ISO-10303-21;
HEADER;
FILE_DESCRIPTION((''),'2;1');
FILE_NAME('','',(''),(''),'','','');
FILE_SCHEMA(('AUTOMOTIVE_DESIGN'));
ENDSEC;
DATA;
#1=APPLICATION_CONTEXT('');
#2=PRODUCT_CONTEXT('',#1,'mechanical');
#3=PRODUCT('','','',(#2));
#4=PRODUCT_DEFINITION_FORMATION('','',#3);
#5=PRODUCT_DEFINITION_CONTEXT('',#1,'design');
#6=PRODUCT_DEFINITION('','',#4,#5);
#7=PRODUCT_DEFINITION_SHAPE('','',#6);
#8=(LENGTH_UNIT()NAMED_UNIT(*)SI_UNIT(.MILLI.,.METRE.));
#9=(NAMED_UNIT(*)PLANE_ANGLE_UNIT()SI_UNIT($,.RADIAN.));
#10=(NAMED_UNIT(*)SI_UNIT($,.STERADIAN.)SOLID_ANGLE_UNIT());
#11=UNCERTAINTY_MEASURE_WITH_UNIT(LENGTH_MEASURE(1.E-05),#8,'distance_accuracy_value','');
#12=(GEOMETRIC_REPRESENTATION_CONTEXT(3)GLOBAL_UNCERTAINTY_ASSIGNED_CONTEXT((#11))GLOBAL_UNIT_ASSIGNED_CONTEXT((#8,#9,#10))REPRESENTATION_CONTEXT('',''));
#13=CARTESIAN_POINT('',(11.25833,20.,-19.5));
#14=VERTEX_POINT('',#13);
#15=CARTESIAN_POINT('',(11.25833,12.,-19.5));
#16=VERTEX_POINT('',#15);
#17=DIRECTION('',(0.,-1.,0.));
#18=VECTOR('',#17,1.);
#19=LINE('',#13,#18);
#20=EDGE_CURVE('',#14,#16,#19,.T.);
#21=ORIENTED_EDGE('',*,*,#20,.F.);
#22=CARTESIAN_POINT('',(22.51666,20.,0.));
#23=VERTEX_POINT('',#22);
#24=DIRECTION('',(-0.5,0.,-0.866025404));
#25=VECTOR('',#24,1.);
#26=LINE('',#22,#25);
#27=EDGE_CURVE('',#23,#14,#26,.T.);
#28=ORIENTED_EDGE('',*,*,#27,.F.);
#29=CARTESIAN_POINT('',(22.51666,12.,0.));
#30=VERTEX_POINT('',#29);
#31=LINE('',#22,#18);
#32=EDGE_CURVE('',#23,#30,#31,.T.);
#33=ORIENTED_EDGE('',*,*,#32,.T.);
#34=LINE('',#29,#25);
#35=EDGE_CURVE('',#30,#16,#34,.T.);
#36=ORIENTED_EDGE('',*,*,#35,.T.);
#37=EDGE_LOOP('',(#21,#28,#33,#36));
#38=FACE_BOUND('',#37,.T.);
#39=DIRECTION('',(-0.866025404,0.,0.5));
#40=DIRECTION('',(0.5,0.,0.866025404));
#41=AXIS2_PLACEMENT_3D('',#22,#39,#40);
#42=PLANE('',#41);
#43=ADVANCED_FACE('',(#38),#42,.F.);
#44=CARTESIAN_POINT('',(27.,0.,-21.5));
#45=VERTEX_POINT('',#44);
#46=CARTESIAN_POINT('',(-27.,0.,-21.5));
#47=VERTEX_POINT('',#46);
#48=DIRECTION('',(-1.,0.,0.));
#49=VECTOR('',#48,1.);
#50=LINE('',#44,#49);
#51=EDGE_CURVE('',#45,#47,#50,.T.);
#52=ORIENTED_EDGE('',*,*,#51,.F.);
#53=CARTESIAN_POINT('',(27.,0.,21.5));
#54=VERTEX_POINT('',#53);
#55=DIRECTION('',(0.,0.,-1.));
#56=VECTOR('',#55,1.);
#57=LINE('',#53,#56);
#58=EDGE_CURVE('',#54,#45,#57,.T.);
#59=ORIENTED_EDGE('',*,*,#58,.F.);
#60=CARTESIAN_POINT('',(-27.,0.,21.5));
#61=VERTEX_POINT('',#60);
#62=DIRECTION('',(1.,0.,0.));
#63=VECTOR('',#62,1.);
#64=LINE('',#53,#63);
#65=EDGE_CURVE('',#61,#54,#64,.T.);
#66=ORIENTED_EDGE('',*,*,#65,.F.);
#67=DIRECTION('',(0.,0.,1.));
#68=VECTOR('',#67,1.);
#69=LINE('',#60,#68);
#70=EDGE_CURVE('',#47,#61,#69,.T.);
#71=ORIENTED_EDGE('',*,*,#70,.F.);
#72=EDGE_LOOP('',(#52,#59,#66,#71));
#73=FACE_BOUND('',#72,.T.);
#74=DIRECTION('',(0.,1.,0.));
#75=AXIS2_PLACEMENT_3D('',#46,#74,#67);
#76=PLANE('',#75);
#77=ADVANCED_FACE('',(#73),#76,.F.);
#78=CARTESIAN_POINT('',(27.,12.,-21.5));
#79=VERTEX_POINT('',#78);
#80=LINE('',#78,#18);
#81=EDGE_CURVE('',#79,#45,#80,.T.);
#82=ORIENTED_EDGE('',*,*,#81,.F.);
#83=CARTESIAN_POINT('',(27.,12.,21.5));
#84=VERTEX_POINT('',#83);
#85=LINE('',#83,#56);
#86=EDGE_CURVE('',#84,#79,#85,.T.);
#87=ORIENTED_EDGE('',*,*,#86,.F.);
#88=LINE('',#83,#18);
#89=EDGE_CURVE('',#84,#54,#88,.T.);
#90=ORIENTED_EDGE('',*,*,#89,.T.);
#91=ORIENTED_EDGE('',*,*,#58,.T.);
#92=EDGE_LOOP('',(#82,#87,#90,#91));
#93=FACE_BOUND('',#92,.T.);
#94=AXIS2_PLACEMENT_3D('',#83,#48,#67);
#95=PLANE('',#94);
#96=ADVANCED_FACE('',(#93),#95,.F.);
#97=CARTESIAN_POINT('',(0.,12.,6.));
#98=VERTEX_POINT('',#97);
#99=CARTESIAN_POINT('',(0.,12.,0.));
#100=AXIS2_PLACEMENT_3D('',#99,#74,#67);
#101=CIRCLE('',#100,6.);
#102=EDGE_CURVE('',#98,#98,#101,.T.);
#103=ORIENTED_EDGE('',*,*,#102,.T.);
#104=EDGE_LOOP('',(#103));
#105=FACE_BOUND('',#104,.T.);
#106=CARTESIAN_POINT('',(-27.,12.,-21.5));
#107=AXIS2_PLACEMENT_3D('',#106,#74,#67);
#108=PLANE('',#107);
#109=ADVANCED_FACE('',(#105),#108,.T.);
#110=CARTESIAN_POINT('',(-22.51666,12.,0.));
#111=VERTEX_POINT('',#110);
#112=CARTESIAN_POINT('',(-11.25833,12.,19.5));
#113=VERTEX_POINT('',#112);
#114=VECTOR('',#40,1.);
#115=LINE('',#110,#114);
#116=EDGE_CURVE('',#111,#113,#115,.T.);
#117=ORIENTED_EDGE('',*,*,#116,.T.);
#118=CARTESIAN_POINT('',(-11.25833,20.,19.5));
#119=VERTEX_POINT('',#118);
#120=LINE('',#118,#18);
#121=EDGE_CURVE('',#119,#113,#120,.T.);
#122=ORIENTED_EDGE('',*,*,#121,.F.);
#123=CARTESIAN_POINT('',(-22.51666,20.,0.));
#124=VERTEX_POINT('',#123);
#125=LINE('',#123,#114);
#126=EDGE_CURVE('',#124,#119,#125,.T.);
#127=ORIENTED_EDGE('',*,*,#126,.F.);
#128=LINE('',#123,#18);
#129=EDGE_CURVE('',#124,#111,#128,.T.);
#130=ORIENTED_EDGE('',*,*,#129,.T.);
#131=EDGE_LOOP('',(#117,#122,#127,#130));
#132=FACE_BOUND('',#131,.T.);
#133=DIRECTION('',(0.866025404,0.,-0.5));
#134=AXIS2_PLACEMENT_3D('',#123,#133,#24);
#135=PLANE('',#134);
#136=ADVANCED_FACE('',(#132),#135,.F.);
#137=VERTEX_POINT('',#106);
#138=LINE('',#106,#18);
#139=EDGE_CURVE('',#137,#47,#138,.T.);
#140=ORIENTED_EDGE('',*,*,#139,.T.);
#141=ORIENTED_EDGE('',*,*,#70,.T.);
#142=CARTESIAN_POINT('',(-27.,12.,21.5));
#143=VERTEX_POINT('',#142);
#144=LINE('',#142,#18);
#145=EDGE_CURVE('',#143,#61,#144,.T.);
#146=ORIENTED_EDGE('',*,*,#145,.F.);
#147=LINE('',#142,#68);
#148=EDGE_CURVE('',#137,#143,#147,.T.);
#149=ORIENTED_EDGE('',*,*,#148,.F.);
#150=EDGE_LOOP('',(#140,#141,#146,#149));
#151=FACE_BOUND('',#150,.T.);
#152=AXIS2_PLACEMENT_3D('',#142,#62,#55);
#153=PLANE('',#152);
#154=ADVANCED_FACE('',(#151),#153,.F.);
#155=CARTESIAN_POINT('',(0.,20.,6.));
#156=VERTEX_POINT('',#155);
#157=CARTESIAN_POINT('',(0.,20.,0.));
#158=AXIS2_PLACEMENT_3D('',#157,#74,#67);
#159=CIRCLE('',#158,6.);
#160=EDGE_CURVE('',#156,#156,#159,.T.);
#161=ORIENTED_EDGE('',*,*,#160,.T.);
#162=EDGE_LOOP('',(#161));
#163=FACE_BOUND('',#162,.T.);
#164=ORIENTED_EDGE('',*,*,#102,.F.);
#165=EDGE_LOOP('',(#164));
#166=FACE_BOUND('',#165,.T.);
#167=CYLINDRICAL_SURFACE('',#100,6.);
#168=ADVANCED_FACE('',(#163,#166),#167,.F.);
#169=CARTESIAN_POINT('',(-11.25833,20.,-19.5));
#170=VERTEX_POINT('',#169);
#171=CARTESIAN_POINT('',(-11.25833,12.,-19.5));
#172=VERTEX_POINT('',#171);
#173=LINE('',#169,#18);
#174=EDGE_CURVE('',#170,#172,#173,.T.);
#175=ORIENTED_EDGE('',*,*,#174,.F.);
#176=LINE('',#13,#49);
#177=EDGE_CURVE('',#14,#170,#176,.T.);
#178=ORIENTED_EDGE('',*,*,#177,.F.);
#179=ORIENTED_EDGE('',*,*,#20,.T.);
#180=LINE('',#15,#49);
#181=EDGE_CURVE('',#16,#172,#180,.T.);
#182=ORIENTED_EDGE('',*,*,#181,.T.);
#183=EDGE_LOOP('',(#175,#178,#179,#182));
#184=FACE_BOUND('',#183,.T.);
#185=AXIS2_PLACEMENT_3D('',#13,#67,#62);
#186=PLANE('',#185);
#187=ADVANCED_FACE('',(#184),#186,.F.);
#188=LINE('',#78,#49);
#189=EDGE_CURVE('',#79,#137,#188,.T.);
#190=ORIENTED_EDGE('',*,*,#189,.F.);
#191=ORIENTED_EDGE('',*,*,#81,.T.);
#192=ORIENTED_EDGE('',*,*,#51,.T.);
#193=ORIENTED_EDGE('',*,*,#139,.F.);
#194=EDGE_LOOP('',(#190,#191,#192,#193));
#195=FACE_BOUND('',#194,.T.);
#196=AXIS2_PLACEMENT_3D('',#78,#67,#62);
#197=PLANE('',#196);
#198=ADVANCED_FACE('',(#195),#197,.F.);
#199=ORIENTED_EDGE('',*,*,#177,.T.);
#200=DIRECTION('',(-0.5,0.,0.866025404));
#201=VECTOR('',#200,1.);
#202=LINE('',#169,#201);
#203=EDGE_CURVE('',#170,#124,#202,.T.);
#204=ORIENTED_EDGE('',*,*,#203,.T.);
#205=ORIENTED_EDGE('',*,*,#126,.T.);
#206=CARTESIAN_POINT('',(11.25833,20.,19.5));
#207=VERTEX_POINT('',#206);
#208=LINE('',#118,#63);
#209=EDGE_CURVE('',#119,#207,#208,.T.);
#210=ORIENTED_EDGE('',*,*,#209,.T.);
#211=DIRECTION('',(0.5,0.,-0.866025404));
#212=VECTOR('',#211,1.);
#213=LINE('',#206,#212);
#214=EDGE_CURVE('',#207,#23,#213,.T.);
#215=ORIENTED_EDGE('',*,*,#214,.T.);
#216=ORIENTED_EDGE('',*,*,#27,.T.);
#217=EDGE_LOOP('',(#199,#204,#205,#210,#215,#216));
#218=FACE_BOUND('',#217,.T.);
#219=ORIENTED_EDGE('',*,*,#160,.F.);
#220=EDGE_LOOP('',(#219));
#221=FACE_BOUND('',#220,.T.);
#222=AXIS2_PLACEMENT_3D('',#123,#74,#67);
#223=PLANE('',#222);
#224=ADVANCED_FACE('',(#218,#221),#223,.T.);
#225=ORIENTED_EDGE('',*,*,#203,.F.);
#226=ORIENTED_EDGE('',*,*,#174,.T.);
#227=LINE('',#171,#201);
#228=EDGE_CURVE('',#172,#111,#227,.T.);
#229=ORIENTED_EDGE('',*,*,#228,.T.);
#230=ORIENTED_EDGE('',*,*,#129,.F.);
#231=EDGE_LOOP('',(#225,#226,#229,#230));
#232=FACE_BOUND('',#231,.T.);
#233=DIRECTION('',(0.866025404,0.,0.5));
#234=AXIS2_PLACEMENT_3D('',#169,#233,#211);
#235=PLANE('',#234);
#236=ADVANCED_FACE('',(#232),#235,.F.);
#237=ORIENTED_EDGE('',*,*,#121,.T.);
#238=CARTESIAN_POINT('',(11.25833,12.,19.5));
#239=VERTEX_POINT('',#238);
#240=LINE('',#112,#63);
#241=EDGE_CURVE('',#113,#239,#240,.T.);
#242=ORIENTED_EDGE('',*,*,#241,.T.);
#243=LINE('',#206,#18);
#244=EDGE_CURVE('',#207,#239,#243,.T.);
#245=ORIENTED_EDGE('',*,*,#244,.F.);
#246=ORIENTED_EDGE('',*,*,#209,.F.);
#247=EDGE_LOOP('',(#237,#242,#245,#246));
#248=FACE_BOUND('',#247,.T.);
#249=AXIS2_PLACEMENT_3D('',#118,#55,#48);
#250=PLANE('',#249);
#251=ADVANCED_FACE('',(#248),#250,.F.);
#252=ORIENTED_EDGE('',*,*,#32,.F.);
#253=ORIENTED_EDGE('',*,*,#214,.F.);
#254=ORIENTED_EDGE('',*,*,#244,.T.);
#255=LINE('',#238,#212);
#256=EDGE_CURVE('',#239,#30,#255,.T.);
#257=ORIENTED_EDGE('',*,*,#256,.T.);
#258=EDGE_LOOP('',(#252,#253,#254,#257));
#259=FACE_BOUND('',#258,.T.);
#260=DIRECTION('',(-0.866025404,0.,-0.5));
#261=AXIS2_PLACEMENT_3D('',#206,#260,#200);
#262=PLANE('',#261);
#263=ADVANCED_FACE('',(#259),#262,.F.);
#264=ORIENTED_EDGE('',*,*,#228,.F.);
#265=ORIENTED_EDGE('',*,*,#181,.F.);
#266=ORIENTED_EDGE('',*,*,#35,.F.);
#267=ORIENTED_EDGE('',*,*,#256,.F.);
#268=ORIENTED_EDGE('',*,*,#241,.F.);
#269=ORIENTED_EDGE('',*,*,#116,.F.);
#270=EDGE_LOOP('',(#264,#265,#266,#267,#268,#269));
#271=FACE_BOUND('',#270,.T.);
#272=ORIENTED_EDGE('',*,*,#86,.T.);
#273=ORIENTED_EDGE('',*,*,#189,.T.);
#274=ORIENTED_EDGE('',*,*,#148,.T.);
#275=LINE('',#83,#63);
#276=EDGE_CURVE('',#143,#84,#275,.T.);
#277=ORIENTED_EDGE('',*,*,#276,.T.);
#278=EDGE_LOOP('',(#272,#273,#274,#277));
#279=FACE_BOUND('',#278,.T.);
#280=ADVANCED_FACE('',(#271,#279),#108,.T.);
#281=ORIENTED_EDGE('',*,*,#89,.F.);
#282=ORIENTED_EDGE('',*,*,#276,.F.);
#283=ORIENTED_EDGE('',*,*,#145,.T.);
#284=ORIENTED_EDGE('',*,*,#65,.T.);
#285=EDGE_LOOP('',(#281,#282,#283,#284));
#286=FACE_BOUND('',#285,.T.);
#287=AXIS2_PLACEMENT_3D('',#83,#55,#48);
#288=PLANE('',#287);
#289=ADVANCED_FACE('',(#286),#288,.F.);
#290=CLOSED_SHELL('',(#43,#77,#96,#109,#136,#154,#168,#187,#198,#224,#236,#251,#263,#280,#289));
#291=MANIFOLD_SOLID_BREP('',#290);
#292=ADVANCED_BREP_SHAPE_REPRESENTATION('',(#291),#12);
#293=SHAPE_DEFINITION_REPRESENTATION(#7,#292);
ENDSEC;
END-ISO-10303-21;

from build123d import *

# Parameters (mm, degrees)
SKETCH_1_W          = 54
SKETCH_1_H          = 43
EXTRUDE_1_DEPTH     = 12
SKETCH_2_R          = 1.55
EXTRUDE_2_DEPTH     = 8
SKETCH_4_R          = 6
CUT_EXTRUDE_2_DEPTH = 8


with BuildPart() as part:
    # 草图1 → 凸台-拉伸1 (new body)
    with BuildSketch(Plane(origin=(0, 0, 0), x_dir=(1, 0, 0), z_dir=(0, 1, 0))):
        Rectangle(SKETCH_1_W, SKETCH_1_H)
    extrude(amount=EXTRUDE_1_DEPTH)

    # 草图2 → 凸台-拉伸2 (add)
    with BuildSketch(Plane(origin=(0, 12, 0), x_dir=(1, 0, 0), z_dir=(0, 1, 0))):
        Polygon((-22.516660498, 0), (-11.258330249, -19.5), (11.258330249, -19.5), (22.516660498, 0), (11.258330249, 19.5), (-11.258330249, 19.5), align=None)
        with Locations(Location((0, 0, 0), (0, 0, 270))):
            Circle(SKETCH_2_R, mode=Mode.SUBTRACT)
    extrude(amount=EXTRUDE_2_DEPTH)

    # 草图4 → 切除-拉伸2 (cut)
    with BuildSketch(Plane(origin=(0, 20, 0), x_dir=(1, 0, 0), z_dir=(0, 1, 0))):
        with Locations(Location((0, 0, 0), (0, 0, 270))):
            Circle(SKETCH_4_R)
    extrude(amount=-CUT_EXTRUDE_2_DEPTH, mode=Mode.SUBTRACT)


solid = part.part
